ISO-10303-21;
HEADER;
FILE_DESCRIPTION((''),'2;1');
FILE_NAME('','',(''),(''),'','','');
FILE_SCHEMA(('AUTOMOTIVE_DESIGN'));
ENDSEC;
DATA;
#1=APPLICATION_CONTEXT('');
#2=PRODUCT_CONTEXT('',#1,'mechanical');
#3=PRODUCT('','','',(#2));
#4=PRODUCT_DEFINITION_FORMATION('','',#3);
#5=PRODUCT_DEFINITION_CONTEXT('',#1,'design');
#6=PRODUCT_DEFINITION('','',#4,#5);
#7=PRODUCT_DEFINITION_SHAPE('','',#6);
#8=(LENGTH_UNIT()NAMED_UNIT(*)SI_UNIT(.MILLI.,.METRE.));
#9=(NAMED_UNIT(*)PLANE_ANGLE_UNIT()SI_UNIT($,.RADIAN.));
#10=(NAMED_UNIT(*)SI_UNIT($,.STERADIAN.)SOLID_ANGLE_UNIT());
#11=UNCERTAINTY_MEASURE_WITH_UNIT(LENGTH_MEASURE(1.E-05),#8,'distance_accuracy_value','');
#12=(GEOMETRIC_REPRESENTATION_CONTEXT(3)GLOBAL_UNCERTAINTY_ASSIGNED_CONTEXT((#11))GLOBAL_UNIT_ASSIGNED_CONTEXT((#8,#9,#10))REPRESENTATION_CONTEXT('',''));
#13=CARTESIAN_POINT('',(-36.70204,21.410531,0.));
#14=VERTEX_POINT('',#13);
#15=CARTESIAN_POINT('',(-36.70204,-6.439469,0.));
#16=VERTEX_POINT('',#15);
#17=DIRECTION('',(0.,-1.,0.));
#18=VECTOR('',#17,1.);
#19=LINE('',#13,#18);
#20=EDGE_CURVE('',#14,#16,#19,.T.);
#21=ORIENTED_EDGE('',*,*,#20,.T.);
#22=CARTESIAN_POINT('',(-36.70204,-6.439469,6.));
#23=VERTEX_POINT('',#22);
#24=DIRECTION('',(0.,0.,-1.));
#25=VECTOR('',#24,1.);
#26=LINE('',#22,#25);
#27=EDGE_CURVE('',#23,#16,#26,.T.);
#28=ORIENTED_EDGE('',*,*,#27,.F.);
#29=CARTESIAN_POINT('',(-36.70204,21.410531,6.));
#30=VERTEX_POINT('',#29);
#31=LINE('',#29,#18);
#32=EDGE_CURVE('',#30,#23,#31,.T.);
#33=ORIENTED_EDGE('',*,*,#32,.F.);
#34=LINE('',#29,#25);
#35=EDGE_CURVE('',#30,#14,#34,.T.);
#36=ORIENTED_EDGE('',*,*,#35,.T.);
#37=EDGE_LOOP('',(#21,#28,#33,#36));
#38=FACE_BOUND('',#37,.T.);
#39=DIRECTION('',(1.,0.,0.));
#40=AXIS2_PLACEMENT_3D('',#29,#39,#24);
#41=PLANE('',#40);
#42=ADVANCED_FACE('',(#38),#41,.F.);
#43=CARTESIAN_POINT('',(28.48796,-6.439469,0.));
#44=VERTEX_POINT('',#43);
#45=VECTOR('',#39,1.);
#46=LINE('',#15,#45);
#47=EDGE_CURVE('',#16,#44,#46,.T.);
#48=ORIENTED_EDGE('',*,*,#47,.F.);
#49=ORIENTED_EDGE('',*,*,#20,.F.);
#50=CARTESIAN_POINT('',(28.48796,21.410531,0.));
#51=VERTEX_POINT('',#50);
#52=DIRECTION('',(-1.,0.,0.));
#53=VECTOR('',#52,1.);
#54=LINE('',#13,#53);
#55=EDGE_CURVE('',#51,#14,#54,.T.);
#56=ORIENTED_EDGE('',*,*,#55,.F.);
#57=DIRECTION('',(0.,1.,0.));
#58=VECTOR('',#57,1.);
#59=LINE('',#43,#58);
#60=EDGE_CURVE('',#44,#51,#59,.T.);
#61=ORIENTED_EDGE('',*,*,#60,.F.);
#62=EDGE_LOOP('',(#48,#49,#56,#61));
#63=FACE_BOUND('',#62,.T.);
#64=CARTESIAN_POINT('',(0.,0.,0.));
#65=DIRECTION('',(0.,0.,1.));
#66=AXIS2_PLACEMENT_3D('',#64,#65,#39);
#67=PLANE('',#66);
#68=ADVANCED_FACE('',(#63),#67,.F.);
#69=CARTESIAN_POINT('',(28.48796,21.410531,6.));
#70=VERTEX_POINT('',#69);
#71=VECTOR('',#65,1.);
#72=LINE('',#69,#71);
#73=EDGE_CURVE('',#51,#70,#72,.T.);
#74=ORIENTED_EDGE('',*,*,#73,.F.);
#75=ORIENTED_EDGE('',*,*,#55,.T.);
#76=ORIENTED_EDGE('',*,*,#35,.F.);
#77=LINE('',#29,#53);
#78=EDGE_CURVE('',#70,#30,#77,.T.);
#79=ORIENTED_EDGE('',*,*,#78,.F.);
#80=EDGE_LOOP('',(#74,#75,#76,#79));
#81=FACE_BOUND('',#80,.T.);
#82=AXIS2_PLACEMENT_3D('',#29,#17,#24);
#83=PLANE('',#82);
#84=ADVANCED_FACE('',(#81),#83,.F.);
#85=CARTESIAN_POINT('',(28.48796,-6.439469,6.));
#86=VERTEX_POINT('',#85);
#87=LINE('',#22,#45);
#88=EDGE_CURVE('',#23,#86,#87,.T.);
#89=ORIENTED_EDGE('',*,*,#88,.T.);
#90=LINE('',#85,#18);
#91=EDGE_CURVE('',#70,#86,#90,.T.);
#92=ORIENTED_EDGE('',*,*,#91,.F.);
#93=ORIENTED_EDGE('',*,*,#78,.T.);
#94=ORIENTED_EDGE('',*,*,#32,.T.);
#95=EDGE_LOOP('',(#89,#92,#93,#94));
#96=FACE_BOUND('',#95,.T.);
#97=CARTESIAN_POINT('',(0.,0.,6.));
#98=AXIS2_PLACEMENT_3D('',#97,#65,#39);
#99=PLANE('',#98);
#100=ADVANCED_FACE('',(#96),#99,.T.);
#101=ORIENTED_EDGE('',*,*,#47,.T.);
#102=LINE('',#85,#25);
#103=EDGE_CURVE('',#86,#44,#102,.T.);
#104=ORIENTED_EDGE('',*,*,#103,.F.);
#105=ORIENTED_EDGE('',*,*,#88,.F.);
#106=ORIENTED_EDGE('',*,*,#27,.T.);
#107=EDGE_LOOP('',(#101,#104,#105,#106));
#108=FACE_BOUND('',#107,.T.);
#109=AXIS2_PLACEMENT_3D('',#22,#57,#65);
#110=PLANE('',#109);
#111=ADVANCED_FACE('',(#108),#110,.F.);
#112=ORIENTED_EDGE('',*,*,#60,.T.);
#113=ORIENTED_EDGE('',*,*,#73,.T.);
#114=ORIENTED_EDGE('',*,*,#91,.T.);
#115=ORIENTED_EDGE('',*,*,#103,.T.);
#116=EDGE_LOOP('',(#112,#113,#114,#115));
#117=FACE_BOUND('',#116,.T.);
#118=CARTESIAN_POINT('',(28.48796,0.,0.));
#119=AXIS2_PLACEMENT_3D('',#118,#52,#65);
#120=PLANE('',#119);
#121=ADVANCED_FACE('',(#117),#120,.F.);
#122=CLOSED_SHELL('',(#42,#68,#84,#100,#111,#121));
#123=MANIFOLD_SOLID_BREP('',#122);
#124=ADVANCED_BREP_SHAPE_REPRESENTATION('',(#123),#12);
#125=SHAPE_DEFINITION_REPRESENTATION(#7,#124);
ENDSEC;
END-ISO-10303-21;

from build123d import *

# Parameters (mm, degrees)
ESQUISSE1_W        = 63.19
ESQUISSE1_H        = 27.85
BOSS_EXTRU_1_DEPTH = 6
ESQUISSE2_W        = 6
ESQUISSE2_H        = 27.85
BOSS_EXTRU_2_DEPTH = 2


with BuildPart() as part:
    # Esquisse1 → Boss.-Extru.1 (new body)
    with BuildSketch(Plane.XY):
        with Locations((-5.107040309, 7.485531136)):
            Rectangle(ESQUISSE1_W, ESQUISSE1_H)
    extrude(amount=BOSS_EXTRU_1_DEPTH)

    # Esquisse2 → Boss.-Extru.2 (add)
    with BuildSketch(Plane(origin=(26.487959691, 0, 0), x_dir=(0, 0, -1), z_dir=(1, 0, 0))):
        with Locations((-3, 7.485531136)):
            Rectangle(ESQUISSE2_W, ESQUISSE2_H)
    extrude(amount=BOSS_EXTRU_2_DEPTH)


solid = part.part
